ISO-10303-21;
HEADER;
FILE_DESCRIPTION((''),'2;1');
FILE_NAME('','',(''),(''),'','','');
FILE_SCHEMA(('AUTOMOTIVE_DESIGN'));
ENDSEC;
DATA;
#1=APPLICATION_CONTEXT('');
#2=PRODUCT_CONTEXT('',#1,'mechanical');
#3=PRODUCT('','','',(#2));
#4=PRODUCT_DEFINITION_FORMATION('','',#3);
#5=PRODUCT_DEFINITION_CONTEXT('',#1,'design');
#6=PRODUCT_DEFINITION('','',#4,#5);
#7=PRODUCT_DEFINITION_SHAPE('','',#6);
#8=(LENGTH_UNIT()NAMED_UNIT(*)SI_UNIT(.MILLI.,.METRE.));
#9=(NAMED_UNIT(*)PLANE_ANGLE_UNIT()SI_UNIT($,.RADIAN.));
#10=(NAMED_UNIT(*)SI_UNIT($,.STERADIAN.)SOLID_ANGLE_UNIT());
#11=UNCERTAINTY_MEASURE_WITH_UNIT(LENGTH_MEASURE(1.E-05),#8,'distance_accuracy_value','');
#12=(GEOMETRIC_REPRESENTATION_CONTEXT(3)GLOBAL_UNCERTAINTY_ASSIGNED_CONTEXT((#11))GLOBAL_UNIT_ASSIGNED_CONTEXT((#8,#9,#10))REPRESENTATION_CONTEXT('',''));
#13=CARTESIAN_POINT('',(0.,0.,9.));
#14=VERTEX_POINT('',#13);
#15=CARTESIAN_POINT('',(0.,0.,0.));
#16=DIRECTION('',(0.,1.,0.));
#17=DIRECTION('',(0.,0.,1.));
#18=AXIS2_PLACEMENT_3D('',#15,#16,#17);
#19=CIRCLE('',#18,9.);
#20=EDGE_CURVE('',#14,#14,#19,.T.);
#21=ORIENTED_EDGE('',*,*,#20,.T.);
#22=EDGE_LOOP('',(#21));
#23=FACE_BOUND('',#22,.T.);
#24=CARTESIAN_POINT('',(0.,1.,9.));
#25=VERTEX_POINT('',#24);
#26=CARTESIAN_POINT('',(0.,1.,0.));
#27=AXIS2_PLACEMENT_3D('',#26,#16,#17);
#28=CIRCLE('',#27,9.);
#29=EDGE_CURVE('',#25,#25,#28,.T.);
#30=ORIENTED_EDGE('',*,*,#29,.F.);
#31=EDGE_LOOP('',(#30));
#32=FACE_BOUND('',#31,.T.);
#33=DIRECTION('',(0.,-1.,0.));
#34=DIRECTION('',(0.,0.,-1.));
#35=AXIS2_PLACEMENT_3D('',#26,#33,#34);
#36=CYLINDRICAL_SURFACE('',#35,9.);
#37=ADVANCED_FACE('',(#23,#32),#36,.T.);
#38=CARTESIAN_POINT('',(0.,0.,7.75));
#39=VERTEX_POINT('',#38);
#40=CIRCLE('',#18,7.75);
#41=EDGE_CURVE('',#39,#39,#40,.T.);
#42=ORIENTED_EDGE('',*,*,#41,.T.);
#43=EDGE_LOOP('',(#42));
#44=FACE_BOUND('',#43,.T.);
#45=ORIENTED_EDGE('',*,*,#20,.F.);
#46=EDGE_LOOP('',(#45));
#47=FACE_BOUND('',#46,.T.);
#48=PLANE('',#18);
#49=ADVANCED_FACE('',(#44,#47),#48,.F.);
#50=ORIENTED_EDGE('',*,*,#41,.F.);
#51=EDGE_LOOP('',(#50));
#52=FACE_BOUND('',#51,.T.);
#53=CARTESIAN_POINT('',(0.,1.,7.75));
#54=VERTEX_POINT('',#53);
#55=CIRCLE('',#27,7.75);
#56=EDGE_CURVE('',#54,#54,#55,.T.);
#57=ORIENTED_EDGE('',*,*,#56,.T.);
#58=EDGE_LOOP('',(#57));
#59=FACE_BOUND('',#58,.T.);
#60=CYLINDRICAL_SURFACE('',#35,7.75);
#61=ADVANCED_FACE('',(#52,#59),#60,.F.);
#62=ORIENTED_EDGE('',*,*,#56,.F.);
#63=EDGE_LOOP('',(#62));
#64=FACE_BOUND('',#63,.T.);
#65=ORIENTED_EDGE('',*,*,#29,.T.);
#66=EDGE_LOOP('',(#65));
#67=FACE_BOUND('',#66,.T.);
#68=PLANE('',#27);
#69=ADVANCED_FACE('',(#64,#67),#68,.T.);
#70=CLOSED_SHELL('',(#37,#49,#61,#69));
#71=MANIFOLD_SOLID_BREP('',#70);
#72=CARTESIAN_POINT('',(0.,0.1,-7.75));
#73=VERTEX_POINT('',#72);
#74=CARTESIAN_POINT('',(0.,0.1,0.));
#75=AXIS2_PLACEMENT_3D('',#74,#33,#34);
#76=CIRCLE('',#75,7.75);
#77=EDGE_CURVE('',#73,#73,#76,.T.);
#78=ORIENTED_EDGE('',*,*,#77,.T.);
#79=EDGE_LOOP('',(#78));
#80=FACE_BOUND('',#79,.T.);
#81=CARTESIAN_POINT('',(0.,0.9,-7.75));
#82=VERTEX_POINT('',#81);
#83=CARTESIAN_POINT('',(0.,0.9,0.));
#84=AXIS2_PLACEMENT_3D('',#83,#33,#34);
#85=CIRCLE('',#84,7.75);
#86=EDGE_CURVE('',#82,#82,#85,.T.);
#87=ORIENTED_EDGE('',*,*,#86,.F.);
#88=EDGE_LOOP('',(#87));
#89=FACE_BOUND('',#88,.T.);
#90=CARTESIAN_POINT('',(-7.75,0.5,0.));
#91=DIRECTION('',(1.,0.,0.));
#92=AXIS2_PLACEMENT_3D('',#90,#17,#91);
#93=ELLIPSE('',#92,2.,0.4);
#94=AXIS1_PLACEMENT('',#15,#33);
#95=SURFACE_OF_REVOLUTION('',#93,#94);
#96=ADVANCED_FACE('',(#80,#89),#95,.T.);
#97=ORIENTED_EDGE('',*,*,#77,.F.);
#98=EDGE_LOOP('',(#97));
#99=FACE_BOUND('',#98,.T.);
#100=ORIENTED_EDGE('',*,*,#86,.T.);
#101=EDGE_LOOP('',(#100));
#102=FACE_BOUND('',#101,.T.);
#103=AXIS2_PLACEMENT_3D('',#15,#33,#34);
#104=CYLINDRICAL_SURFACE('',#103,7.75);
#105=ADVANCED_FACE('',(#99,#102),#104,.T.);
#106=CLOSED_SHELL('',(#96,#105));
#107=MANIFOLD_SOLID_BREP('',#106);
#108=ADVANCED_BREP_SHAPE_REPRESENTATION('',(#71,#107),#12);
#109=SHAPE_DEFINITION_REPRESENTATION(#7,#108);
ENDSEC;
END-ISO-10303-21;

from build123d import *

# Parameters (mm, degrees)
SKETCH1_R           = 9
SKETCH1_R_2         = 7.75
BOSS_EXTRUDE1_DEPTH = 1


with BuildPart() as part:
    # Sketch1 → Boss-Extrude1 (new body)
    with BuildSketch(Plane(origin=(0, 0, 0), x_dir=(1, 0, 0), z_dir=(0, 1, 0))):
        Circle(SKETCH1_R)
        Circle(SKETCH1_R_2, mode=Mode.SUBTRACT)
    extrude(amount=BOSS_EXTRUDE1_DEPTH)


with BuildPart() as body_2:
    # Sketch3 → Revolve1 (revolve)
    with BuildSketch(Plane.XY):
        with BuildLine():
            Line((-7.75, 0.5), (-7.75, 0.1))
            add(Edge.make_bspline(
                [(-7.75, 0.1), (-5.75, 0.1), (-5.75, 0.5)],
                knots=[4.71238898, 4.71238898, 4.71238898, 6.283185307, 6.283185307, 6.283185307], degree=2, weights=[1, 0.707106781, 1]))
            Line((-5.75, 0.5), (-7.75, 0.5))
        make_face()
        with BuildLine():
            Line((-7.75, 0.9), (-7.75, 0.5))
            Line((-7.75, 0.5), (-5.75, 0.5))
            add(Edge.make_bspline(
                [(-5.75, 0.5), (-5.75, 0.9), (-7.75, 0.9)],
                knots=[6.283185307, 6.283185307, 6.283185307, 7.853981634, 7.853981634, 7.853981634], degree=2, weights=[1, 0.707106781, 1]))
        make_face()
    revolve(axis=Axis((0, 0, 0), (0, 1, 0)))


solid = Compound([part.part, body_2.part])
